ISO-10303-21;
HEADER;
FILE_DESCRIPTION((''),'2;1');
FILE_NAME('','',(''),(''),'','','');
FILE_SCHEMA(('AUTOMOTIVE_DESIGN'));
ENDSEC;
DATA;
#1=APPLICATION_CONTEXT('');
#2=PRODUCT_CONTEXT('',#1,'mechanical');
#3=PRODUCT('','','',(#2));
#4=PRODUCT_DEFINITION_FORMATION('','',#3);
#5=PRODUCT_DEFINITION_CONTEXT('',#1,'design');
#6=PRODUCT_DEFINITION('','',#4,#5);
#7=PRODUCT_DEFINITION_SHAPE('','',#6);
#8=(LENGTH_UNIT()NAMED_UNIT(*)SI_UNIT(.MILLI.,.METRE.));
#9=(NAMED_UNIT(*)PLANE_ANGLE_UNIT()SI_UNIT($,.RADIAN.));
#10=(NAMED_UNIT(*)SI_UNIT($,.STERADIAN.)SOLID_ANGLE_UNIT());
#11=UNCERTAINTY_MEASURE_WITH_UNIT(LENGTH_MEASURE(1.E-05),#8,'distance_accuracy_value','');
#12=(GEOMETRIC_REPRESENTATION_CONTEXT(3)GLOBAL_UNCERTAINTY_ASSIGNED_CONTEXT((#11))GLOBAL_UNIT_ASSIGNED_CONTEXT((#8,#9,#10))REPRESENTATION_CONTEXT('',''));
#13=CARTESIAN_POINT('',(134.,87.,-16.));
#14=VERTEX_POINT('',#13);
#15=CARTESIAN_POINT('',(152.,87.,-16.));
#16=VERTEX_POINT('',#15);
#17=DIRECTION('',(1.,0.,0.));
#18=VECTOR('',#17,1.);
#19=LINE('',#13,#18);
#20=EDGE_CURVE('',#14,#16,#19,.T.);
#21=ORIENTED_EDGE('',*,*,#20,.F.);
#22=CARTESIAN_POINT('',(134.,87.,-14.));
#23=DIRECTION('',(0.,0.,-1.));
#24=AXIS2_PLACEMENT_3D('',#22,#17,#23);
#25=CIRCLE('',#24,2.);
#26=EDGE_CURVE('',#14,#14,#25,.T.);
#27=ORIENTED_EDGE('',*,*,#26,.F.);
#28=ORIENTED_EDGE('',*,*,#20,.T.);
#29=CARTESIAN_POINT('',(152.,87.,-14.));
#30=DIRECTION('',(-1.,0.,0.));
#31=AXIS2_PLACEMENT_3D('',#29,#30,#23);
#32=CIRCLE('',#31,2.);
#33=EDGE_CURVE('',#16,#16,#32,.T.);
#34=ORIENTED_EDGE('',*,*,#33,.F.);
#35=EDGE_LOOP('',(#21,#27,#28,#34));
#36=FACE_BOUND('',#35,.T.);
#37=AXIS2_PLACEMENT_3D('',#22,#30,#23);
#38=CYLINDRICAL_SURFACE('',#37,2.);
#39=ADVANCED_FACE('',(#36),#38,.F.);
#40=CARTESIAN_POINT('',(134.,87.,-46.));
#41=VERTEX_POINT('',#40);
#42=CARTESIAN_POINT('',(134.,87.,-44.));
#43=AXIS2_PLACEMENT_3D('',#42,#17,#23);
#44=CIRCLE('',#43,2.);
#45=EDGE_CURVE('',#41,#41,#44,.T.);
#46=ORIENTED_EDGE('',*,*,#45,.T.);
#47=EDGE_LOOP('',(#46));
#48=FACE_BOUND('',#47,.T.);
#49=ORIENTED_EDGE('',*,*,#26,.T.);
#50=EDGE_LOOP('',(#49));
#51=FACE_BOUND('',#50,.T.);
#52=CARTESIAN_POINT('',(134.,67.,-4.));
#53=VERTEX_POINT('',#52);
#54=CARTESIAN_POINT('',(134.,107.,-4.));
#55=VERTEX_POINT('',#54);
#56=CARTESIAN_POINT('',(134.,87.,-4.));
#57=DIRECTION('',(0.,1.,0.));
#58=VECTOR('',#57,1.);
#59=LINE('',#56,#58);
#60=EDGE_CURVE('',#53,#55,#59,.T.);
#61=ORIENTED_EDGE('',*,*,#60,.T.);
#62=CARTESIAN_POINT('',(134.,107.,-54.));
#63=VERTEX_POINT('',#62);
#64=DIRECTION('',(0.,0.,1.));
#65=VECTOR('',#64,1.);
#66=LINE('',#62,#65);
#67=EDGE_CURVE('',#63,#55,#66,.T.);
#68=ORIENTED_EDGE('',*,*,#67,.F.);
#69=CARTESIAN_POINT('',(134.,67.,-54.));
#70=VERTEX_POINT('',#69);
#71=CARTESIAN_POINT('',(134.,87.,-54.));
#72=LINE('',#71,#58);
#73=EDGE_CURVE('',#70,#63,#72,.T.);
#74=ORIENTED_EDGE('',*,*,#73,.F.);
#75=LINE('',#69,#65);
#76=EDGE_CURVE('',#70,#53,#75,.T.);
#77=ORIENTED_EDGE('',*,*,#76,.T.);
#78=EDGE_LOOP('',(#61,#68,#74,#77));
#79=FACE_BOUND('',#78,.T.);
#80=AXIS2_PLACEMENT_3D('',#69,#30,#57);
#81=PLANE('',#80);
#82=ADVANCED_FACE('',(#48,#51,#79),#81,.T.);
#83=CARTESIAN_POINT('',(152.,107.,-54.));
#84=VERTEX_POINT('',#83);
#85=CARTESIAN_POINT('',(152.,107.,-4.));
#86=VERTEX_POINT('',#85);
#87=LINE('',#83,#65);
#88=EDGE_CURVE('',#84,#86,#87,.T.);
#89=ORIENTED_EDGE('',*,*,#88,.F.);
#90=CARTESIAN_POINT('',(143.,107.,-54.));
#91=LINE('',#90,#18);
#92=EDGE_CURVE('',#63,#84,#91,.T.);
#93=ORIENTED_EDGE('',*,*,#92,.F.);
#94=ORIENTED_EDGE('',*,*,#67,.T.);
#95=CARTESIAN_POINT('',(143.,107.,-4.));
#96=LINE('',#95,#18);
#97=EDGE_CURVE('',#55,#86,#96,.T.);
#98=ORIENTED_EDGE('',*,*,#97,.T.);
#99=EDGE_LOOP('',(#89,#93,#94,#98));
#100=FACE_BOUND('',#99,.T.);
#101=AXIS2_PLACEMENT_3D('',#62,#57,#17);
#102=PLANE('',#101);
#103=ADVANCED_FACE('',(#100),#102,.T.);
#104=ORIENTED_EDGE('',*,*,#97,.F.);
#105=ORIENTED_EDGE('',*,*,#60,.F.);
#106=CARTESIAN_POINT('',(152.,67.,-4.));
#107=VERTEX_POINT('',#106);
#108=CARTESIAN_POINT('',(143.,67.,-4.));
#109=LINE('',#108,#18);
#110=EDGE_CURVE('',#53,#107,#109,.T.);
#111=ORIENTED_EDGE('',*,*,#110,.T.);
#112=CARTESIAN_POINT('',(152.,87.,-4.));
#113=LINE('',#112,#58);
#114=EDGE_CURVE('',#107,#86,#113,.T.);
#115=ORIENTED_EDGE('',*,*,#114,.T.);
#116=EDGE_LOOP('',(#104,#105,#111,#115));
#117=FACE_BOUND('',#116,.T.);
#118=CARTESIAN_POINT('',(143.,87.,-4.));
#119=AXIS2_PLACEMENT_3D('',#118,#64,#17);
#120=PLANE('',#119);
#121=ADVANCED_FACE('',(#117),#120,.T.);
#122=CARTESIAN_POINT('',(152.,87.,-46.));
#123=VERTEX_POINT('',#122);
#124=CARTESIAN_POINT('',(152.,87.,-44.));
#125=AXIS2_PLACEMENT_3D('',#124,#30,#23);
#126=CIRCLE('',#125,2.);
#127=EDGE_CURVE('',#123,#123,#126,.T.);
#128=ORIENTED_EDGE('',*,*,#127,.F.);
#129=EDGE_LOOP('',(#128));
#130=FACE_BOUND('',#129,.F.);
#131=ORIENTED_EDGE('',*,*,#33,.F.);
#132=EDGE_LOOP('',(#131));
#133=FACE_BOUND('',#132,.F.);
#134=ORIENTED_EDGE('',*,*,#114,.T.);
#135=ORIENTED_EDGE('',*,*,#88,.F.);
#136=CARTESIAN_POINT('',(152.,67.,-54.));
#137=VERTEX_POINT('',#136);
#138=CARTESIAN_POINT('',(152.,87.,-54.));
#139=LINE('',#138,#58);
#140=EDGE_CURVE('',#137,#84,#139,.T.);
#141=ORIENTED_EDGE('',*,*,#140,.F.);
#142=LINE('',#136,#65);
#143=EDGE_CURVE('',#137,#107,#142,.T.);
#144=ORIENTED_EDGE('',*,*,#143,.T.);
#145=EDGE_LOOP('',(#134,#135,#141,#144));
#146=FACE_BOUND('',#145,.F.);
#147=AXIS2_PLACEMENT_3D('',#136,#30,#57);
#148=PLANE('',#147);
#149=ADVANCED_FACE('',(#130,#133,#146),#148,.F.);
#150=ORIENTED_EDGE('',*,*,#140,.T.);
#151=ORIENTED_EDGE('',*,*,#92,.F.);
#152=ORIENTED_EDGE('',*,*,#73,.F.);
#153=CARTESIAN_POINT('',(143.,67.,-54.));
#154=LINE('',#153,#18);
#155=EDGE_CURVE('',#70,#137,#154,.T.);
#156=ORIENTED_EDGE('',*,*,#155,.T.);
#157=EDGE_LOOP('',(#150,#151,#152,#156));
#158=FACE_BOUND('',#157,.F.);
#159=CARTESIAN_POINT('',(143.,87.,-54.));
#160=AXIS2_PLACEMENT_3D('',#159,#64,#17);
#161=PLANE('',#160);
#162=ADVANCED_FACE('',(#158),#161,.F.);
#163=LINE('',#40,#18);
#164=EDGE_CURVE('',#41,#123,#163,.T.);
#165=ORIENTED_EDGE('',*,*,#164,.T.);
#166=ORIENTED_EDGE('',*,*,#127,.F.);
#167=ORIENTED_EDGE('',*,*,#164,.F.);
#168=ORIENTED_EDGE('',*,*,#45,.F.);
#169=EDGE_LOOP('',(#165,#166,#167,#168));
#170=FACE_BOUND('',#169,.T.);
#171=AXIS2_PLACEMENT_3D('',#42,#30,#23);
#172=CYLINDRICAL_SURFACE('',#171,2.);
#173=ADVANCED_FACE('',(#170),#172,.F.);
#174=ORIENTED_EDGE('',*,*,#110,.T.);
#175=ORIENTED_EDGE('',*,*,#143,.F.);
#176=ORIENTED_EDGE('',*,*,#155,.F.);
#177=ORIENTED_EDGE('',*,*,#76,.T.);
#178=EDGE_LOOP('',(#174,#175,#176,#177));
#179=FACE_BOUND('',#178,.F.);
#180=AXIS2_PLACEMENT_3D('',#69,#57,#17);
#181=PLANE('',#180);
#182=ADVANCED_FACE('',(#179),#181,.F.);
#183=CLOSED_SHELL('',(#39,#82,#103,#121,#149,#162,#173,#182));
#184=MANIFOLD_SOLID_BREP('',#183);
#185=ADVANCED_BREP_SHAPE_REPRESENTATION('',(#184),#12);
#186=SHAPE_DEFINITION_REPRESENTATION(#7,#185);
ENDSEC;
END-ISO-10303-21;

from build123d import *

# Parameters (mm, degrees)
CYLINDER028_R           = 2
CYLINDER028_DEPTH       = 20
CYLINDER028_PITCH_ANGLE = 90
ARRAY026_Z_COUNT        = 2
ARRAY026_Z_PITCH        = 30
BOX016_W                = 18
BOX016_H                = 40
BOX016_DEPTH            = 50


with BuildPart() as array026:
    # Cylinder028 → Cylinder028 (new body)
    with BuildSketch(Plane.XY):
        Circle(CYLINDER028_R)
    extrude(amount=CYLINDER028_DEPTH)


with BuildPart() as array026_1:
    # Cylinder028 pitch: moved
    add(array026.part.rotate(Axis((0, 0, 0), (0, 1, 0)), CYLINDER028_PITCH_ANGLE))


with BuildPart() as array026_2:
    # Cylinder028 placement: moved
    add(array026_1.part.moved(Location((134, 87, -14))))

    # Array026 Z: Array026 ×2


with BuildPart() as array026_3:
    add(array026_2.part)
    with Locations(*[(0, 0, -i * ARRAY026_Z_PITCH) for i in range(1, ARRAY026_Z_COUNT)]):
        add(array026_2.part)


with BuildPart() as case_2_con003:
    # Box016 → Box016 (new body)
    with BuildSketch(Plane(origin=(134, 67, -54), x_dir=(1, 0, 0), z_dir=(0, 0, 1))):
        with Locations((9, 20)):
            Rectangle(BOX016_W, BOX016_H)
    extrude(amount=BOX016_DEPTH)

    # Cut027: cut Array026
    add(array026_3.part, mode=Mode.SUBTRACT)


solid = case_2_con003.part
